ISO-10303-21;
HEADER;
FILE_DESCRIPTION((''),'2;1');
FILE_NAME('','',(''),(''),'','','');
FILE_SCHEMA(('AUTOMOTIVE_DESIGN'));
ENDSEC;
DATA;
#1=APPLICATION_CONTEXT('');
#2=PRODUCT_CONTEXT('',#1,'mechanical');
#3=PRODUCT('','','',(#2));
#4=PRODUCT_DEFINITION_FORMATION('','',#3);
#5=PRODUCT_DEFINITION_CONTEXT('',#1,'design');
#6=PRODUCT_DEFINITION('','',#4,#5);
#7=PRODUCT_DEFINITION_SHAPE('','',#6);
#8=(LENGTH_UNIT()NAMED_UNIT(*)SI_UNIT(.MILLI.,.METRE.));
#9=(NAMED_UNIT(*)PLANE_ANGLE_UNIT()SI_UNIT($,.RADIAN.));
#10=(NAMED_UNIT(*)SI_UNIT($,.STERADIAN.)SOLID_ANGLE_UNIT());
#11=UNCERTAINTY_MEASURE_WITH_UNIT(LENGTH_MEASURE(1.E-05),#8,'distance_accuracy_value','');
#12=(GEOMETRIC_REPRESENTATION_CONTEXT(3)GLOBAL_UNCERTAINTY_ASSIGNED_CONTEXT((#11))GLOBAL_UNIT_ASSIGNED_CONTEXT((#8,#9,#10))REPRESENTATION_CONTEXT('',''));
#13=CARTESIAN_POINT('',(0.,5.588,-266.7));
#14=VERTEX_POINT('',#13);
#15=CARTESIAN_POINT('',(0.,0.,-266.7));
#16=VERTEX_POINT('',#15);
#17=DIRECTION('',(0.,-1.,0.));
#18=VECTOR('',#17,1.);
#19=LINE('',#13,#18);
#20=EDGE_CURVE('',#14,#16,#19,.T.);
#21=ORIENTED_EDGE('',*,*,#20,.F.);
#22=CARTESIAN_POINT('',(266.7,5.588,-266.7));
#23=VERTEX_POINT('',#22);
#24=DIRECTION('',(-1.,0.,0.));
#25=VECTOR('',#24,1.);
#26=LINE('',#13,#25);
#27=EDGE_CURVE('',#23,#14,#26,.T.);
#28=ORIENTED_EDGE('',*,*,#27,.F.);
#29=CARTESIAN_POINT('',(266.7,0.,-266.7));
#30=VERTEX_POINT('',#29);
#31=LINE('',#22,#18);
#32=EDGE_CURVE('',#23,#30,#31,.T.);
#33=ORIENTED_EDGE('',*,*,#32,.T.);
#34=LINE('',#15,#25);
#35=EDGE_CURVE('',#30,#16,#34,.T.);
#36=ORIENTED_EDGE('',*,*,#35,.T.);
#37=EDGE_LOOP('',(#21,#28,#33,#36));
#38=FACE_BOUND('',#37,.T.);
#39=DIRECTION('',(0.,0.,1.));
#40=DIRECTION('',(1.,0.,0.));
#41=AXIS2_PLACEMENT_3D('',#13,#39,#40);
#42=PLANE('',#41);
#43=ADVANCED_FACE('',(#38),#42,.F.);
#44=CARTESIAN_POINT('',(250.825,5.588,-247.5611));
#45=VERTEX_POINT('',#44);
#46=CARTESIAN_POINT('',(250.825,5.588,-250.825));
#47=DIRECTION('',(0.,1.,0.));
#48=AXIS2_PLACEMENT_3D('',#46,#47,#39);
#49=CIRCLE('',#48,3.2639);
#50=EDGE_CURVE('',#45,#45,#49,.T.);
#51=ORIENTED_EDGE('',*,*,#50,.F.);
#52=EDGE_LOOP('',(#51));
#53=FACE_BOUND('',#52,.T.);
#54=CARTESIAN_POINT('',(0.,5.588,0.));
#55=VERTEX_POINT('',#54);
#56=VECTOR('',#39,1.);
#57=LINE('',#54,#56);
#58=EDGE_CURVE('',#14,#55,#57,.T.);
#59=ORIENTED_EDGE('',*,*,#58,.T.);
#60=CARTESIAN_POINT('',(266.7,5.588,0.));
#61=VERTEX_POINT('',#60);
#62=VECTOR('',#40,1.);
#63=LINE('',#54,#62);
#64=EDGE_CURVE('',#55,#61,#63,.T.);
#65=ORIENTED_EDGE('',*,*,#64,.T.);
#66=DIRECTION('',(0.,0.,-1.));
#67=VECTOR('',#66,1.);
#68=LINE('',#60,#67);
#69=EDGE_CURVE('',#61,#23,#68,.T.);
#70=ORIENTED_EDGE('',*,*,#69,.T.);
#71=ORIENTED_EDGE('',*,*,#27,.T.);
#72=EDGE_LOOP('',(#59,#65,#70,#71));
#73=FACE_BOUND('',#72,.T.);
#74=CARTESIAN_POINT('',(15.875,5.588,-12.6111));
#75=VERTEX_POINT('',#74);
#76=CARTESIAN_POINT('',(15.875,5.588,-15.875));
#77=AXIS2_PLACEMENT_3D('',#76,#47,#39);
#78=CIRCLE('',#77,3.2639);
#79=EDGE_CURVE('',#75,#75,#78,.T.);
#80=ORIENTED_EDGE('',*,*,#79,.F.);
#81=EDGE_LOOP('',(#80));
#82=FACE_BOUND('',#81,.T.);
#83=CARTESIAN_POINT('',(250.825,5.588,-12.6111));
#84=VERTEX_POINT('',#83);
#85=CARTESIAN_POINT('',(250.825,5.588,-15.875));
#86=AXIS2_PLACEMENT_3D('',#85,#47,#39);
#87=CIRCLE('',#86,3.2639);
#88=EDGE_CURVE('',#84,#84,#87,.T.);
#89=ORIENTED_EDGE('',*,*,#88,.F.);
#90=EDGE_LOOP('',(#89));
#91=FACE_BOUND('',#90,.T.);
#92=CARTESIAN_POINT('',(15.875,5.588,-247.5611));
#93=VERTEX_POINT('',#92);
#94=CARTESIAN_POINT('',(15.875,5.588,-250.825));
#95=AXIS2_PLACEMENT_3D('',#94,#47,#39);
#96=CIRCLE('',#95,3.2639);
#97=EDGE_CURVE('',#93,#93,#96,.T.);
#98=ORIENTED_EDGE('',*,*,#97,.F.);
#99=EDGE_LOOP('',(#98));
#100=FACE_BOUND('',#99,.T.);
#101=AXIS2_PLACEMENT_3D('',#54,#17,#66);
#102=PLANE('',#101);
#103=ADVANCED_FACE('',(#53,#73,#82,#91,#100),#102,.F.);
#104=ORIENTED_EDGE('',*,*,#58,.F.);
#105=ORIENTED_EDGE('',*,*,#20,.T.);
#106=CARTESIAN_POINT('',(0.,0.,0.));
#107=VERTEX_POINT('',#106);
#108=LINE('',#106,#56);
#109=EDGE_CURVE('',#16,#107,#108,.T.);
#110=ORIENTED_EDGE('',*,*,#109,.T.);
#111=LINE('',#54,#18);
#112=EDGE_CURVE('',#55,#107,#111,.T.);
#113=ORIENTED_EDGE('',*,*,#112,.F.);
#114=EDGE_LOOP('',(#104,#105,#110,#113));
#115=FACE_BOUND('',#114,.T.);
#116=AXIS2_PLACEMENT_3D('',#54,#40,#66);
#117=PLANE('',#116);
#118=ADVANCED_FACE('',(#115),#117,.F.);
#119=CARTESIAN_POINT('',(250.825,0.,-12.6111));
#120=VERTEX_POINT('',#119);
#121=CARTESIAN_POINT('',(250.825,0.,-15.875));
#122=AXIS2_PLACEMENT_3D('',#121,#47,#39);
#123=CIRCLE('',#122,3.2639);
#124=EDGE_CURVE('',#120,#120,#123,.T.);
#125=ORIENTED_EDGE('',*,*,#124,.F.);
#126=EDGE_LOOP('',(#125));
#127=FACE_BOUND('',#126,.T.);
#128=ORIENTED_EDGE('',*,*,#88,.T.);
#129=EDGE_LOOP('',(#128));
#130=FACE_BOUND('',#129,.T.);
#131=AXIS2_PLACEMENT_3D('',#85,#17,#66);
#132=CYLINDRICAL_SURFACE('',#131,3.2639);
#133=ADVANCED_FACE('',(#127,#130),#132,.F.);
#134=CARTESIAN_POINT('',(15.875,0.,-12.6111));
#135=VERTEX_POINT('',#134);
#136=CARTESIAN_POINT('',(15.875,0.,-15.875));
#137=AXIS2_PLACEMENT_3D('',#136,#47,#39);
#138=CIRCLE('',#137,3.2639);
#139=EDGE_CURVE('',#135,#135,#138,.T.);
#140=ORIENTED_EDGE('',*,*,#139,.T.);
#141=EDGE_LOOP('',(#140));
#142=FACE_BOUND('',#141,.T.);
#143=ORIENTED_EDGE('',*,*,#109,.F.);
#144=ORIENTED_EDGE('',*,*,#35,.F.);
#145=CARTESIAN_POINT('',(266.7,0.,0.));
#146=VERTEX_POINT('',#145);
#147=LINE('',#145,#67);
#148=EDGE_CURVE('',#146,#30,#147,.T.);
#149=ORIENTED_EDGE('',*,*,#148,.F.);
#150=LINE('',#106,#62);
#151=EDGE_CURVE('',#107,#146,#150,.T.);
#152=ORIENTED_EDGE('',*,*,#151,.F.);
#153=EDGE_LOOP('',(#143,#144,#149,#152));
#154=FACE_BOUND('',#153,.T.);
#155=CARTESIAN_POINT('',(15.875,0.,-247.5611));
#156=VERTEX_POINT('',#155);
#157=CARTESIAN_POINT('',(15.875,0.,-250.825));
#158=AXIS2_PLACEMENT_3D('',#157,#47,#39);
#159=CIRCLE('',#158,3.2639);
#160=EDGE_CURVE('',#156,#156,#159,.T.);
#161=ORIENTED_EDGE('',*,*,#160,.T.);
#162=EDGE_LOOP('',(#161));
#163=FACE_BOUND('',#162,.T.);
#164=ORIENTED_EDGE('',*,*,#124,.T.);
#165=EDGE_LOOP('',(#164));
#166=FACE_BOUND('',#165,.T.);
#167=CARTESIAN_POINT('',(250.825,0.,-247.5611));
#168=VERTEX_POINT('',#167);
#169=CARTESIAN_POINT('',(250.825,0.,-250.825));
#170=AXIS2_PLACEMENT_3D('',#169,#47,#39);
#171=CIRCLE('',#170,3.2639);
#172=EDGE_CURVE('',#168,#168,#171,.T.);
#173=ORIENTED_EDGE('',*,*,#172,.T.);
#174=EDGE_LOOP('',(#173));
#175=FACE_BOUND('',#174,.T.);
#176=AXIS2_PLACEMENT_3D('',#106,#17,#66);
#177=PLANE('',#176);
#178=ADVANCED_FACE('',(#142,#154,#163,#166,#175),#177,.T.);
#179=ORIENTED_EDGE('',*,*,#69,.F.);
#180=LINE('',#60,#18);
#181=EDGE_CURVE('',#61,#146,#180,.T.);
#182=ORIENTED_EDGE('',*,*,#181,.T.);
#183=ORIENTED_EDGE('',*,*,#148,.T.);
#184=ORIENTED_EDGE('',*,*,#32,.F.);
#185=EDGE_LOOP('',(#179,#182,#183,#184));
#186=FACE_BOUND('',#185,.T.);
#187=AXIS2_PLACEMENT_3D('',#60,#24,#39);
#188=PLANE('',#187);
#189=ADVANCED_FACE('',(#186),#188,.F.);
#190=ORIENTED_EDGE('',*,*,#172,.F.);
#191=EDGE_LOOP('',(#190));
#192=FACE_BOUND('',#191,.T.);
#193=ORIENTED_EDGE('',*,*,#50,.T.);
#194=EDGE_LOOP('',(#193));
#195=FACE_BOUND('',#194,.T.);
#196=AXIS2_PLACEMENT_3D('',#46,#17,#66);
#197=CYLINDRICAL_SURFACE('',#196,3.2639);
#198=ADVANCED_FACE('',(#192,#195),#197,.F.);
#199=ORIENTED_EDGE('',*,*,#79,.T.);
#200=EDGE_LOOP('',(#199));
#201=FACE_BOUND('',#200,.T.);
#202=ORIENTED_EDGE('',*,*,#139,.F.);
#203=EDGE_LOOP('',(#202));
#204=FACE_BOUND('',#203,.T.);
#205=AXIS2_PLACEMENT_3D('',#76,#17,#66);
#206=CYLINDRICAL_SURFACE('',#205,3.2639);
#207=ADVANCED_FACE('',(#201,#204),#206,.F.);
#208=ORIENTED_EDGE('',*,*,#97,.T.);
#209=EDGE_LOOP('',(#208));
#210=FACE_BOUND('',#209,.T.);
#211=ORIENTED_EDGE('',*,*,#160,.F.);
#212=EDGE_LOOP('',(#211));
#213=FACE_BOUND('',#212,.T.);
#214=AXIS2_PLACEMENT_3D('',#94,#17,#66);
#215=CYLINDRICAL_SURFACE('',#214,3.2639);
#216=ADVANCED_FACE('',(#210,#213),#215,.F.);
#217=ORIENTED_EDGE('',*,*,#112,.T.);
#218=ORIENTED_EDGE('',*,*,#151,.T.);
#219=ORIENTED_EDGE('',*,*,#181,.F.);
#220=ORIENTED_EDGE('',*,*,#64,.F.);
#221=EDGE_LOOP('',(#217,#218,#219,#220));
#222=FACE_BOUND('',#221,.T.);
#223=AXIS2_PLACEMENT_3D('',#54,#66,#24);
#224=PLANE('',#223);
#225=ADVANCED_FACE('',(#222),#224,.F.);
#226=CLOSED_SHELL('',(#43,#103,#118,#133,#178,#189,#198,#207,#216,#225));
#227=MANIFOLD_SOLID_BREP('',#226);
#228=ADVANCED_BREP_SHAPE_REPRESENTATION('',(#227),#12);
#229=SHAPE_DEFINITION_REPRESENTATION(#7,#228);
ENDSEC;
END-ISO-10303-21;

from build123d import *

# Parameters (mm, degrees)
SKETCH1_W           = 266.7
SKETCH1_H           = 266.7
SKETCH1_R           = 3.2639
BOSS_EXTRUDE1_DEPTH = 5.588


with BuildPart() as part:
    # Sketch1 → Boss-Extrude1 (new body)
    with BuildSketch(Plane(origin=(0, 0, 0), x_dir=(1, 0, 0), z_dir=(0, 1, 0))):
        with Locations((133.35, 133.35)):
            Rectangle(SKETCH1_W, SKETCH1_H)
        with Locations(Location((15.875, 250.825, 0), (0, 0, 270))):
            Circle(SKETCH1_R, mode=Mode.SUBTRACT)
        with Locations(Location((250.825, 250.825, 0), (0, 0, 270))):
            Circle(SKETCH1_R, mode=Mode.SUBTRACT)
        with Locations(Location((15.875, 15.875, 0), (0, 0, 270))):
            Circle(SKETCH1_R, mode=Mode.SUBTRACT)
        with Locations(Location((250.825, 15.875, 0), (0, 0, 270))):
            Circle(SKETCH1_R, mode=Mode.SUBTRACT)
    extrude(amount=BOSS_EXTRUDE1_DEPTH)


solid = part.part
